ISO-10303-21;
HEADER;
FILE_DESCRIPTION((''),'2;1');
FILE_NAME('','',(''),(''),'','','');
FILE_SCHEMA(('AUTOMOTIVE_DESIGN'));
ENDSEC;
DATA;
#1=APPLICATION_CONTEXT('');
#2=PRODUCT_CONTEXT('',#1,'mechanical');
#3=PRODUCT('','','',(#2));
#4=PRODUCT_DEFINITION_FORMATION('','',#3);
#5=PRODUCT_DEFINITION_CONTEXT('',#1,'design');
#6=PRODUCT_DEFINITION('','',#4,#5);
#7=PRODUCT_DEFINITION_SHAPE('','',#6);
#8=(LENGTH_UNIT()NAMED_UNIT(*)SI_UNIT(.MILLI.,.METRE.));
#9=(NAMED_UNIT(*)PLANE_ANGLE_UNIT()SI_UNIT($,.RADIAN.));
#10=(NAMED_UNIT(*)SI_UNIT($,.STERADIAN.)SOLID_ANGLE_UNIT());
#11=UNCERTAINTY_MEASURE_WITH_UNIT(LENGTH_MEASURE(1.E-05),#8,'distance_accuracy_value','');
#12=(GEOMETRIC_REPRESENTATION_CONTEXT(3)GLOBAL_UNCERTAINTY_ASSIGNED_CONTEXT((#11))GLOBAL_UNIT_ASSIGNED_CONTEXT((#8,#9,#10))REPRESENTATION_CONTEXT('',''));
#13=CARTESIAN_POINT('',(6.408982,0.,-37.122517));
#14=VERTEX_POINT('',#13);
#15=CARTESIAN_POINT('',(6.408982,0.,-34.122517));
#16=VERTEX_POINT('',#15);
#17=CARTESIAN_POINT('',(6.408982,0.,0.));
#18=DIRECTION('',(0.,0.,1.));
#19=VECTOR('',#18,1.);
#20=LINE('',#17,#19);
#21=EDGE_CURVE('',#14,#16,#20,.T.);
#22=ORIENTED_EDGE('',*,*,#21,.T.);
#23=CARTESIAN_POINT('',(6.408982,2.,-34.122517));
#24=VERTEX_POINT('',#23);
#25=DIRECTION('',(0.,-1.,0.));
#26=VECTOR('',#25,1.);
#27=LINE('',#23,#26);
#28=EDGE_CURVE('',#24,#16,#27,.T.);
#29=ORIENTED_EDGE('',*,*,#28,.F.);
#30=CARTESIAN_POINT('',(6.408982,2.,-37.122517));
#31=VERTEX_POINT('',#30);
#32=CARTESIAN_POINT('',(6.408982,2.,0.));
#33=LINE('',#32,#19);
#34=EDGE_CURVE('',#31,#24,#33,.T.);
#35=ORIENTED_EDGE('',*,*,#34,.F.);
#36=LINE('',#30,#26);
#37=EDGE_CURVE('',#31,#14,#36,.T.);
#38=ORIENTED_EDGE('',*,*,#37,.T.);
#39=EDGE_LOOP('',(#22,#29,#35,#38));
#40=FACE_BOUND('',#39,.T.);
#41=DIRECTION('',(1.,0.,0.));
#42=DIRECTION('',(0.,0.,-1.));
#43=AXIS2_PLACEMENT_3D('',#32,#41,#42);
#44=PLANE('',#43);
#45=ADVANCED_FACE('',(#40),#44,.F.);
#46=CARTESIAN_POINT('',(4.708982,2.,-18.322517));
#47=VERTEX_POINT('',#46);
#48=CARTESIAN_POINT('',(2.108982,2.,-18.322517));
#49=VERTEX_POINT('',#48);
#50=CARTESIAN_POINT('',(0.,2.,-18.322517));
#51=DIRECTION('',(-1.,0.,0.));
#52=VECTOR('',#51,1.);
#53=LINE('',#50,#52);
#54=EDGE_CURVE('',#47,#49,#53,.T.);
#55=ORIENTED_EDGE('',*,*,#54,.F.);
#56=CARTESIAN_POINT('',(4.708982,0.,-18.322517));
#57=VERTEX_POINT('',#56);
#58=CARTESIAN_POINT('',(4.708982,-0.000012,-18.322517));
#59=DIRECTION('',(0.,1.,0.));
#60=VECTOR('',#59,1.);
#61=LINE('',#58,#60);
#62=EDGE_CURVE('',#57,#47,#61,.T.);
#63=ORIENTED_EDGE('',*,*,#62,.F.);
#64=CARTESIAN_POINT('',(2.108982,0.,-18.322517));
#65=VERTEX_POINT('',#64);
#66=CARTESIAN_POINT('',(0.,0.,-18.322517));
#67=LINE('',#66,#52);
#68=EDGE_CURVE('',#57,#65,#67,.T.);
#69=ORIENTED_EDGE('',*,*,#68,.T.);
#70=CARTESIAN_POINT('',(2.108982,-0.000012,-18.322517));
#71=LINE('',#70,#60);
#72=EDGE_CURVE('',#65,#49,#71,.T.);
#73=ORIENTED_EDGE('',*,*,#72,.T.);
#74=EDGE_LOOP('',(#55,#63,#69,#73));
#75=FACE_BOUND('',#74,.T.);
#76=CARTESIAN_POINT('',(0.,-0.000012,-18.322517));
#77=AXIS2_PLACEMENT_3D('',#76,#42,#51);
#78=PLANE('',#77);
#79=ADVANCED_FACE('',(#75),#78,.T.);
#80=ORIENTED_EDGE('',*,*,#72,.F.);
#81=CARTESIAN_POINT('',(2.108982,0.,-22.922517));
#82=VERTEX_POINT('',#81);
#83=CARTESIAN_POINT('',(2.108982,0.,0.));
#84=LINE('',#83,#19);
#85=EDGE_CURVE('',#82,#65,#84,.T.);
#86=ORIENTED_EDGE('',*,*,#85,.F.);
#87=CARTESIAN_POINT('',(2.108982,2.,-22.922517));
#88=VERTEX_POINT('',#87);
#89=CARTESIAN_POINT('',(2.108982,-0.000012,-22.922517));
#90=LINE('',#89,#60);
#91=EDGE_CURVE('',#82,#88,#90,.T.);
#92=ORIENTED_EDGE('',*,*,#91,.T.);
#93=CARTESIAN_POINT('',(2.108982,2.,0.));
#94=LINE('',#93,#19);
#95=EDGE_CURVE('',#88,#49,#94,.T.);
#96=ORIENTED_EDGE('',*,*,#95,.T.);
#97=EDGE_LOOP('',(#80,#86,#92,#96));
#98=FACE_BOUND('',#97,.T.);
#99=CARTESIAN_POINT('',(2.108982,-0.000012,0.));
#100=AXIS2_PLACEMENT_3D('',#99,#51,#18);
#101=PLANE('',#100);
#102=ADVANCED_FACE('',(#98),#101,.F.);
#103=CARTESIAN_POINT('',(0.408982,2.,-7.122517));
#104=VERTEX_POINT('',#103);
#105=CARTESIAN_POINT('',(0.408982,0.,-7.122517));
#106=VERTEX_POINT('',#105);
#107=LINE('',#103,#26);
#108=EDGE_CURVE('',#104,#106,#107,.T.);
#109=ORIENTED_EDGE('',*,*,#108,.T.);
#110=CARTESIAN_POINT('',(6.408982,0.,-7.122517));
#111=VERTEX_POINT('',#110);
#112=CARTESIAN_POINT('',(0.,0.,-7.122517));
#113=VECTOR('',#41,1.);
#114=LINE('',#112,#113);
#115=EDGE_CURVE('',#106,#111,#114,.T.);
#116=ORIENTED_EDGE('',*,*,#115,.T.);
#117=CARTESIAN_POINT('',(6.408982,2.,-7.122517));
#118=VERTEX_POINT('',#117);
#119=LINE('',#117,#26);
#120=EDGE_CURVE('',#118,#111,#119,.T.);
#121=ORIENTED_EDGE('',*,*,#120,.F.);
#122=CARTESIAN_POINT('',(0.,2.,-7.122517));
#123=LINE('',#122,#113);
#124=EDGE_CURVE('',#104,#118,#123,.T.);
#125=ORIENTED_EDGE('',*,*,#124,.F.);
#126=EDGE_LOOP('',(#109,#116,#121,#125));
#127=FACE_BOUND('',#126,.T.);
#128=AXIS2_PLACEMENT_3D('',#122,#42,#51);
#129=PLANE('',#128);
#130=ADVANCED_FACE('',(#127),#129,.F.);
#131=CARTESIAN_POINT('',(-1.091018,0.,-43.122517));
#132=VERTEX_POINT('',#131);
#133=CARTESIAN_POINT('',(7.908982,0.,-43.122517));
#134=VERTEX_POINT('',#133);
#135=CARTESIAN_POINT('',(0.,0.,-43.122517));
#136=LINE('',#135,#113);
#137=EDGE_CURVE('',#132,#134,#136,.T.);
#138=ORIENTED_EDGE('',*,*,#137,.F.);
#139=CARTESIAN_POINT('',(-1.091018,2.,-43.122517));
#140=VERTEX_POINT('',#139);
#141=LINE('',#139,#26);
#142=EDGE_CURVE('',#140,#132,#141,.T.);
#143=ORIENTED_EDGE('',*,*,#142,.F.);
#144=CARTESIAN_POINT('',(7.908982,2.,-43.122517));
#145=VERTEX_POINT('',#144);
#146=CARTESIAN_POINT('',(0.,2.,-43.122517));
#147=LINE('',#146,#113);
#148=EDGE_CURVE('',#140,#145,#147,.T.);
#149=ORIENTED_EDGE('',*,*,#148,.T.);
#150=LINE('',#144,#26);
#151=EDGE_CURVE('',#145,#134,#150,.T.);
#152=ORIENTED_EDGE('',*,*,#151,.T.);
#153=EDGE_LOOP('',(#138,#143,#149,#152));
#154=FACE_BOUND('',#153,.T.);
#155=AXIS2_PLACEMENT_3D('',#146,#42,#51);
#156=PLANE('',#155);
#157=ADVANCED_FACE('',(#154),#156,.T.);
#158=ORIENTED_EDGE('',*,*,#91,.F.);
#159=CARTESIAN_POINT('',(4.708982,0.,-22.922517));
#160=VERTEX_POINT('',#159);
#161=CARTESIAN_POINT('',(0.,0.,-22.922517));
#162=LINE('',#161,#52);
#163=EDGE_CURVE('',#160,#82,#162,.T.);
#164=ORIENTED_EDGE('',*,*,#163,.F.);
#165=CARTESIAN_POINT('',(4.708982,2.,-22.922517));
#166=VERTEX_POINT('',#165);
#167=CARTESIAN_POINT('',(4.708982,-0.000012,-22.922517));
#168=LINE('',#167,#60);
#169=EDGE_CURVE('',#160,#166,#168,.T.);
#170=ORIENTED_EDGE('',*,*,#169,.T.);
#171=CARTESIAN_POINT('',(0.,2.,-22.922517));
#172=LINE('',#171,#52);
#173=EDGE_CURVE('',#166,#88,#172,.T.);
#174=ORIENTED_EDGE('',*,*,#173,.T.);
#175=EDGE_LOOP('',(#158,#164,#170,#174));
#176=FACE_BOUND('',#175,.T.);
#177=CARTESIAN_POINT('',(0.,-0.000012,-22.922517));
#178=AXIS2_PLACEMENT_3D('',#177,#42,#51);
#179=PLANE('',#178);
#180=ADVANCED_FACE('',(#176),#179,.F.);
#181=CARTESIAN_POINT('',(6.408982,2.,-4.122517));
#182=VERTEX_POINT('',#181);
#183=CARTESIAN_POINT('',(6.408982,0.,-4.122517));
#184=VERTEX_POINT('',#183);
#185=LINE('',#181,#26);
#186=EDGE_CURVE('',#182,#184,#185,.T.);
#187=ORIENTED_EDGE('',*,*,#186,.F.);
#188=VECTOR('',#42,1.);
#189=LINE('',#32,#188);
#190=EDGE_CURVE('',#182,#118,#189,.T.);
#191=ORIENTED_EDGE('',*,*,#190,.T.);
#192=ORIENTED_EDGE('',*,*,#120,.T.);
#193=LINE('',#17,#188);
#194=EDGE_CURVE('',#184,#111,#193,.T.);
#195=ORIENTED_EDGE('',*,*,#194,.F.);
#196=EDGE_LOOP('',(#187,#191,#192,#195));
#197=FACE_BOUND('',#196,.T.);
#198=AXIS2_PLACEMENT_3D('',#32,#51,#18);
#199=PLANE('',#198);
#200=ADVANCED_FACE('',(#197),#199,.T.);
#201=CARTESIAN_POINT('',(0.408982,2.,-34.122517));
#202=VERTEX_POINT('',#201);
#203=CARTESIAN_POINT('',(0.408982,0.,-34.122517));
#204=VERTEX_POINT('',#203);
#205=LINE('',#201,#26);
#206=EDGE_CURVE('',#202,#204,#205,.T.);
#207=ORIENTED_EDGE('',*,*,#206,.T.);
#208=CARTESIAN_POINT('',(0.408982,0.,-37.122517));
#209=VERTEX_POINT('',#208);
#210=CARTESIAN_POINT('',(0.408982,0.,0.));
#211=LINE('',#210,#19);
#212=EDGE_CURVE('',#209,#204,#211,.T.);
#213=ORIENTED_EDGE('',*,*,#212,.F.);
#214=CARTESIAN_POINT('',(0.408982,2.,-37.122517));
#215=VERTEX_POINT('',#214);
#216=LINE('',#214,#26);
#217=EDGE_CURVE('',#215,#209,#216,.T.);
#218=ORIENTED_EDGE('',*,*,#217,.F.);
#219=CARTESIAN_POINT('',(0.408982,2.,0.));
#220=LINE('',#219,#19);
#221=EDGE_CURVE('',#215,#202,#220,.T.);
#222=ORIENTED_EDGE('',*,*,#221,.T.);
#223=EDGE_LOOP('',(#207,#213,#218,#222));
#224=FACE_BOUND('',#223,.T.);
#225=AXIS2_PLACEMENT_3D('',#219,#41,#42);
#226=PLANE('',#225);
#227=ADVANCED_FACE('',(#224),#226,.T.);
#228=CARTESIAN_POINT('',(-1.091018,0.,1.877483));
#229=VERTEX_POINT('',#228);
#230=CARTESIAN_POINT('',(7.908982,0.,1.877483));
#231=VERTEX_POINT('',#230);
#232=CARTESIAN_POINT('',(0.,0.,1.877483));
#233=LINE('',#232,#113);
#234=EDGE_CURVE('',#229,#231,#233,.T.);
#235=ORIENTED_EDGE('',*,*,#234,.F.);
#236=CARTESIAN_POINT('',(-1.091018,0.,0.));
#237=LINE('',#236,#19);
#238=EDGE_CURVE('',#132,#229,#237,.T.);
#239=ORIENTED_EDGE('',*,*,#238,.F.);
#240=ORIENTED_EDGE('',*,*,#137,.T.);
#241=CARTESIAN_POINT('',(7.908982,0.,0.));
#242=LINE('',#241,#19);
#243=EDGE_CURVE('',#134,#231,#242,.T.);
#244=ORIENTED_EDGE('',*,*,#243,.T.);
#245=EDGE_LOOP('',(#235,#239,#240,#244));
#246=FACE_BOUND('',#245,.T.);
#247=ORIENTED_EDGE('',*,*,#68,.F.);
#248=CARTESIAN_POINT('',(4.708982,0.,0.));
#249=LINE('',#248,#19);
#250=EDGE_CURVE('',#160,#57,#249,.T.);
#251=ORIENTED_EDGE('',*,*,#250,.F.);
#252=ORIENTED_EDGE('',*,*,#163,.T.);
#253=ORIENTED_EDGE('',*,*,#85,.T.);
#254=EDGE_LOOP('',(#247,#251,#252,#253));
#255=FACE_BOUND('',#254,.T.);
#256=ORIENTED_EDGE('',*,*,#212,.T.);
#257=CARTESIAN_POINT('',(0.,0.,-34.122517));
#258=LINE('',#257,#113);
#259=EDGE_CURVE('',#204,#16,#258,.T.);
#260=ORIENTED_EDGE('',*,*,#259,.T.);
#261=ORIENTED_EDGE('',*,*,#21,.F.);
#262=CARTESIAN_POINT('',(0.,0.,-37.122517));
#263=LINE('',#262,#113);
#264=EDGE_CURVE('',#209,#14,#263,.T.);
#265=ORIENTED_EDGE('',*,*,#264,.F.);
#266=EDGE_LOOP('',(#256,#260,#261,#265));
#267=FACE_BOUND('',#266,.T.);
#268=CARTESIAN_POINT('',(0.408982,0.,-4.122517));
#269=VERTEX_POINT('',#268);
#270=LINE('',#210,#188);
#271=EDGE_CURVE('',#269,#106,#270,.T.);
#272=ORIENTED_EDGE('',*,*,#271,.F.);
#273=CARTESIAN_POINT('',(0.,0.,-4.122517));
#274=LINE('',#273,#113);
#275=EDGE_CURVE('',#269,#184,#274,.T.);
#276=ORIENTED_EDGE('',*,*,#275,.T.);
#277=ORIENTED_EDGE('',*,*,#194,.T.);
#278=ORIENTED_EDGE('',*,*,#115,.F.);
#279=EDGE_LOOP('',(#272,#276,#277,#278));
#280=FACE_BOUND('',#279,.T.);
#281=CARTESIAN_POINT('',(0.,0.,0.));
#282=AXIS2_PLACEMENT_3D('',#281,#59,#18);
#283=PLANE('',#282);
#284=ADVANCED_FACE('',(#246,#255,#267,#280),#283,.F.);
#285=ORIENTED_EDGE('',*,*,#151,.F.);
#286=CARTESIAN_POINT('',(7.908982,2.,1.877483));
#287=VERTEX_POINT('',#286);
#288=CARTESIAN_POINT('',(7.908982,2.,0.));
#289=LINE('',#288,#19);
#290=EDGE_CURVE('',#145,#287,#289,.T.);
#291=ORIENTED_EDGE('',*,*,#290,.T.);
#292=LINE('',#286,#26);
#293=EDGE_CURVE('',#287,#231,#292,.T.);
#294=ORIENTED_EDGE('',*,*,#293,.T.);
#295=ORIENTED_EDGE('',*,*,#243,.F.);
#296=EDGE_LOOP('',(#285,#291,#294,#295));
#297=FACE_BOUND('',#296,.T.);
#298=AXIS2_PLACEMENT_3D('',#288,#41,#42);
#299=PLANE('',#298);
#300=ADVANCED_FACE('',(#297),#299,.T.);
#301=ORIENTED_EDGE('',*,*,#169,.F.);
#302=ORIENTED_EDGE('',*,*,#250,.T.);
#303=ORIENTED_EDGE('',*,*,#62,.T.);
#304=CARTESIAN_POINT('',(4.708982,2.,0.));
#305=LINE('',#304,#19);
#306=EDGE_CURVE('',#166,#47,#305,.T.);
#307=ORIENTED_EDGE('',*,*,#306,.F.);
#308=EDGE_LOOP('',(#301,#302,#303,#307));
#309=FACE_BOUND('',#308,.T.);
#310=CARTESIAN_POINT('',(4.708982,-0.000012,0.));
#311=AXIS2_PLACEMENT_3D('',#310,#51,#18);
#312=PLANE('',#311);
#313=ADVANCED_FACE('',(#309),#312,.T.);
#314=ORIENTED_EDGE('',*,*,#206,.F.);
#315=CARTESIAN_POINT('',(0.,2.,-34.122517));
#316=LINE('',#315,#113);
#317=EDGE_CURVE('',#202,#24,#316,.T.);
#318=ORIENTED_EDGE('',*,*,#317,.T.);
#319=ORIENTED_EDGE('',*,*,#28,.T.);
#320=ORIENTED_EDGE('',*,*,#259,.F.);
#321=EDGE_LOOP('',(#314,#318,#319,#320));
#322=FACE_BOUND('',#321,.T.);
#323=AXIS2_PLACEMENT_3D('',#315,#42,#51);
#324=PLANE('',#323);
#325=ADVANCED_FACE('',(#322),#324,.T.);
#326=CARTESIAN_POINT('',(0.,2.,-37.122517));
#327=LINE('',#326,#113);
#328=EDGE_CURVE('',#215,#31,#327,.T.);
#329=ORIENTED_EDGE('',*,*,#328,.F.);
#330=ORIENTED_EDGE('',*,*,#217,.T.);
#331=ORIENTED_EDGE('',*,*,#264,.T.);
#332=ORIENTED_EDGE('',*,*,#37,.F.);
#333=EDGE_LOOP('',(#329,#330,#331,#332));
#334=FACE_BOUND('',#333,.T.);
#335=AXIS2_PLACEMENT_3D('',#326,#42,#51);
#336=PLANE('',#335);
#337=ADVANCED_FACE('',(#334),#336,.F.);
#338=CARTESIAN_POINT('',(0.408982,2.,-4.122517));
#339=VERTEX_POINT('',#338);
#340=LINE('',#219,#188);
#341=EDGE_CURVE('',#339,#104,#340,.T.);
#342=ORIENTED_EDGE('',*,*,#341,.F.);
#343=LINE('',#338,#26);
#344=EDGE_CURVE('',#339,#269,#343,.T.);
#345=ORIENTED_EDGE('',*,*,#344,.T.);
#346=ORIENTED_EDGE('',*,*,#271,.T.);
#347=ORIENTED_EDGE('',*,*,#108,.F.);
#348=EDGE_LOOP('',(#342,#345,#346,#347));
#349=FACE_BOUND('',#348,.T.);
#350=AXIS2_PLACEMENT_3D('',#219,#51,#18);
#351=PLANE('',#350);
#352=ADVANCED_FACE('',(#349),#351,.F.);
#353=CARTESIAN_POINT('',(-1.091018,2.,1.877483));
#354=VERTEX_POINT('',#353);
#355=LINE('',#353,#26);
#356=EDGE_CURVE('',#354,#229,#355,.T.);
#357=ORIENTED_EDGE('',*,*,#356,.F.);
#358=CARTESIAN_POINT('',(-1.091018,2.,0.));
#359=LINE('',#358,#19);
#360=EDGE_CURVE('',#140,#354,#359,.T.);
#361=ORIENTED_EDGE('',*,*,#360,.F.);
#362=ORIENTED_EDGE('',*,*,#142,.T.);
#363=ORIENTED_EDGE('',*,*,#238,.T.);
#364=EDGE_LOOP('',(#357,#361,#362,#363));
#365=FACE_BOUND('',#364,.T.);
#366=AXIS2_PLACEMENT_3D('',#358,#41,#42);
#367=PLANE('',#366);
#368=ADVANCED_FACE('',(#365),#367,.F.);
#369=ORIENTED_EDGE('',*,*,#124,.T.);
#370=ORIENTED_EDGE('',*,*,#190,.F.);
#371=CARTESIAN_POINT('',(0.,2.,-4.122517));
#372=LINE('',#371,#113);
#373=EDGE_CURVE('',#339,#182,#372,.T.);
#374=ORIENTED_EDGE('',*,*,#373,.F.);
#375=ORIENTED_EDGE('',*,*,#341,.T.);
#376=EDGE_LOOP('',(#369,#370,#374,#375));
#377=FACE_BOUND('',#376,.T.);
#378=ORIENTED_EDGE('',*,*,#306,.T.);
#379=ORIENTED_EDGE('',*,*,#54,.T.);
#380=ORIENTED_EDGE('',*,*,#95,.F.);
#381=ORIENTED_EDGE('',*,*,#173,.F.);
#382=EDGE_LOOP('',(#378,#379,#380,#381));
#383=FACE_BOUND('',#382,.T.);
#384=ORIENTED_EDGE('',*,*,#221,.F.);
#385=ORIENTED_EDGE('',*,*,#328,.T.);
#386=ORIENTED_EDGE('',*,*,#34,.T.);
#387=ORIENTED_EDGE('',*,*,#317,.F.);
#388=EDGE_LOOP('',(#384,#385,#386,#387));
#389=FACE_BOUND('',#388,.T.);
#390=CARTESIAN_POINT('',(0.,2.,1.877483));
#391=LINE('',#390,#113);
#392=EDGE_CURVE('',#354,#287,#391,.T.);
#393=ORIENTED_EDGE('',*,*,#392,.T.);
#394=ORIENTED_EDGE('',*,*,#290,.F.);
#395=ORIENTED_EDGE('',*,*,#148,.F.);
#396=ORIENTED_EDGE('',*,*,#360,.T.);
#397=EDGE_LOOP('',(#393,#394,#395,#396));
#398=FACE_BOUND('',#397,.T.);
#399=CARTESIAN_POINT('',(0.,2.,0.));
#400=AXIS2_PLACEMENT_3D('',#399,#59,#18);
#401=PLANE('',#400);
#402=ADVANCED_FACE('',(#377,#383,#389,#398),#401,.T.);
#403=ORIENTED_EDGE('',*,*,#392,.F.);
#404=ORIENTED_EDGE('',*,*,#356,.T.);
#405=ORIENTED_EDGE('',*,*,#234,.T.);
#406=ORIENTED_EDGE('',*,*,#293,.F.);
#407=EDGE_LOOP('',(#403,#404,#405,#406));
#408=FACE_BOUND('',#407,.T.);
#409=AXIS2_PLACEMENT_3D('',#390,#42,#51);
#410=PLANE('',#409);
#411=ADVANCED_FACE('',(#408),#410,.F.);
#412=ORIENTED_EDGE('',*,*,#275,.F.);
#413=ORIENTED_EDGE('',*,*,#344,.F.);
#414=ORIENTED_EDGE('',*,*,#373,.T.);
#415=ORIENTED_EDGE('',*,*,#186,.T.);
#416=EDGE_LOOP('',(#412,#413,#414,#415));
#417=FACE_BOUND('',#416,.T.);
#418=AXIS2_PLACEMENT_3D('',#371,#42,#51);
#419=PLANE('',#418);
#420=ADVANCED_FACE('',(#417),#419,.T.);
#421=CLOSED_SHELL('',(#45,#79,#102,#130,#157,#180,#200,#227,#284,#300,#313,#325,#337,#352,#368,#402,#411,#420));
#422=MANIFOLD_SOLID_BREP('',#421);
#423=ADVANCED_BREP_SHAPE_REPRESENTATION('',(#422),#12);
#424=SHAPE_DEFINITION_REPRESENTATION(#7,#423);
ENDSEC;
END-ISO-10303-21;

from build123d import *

# Parameters (mm, degrees)
ESQUISSE1_W                  = 9
ESQUISSE1_H                  = 45
ESQUISSE1_W_2                = 6
ESQUISSE1_H_2                = 3
BOSS_EXTRU_1_DEPTH           = 2
ENL_V_MAT_EXTRU_1_DEPTH      = 44.887394917
ENL_V_MAT_EXTRU_1_DEPTH_BACK = 44.887394917
ESQUISSE2_W                  = 2.6
ESQUISSE2_H                  = 4.6


with BuildPart() as part:
    # Esquisse1 → Boss.-Extru.1 (new body)
    with BuildSketch(Plane(origin=(0, 0, 0), x_dir=(1, 0, 0), z_dir=(0, 1, 0))):
        with Locations((3.408982136, 20.622516556)):
            Rectangle(ESQUISSE1_W, ESQUISSE1_H)
        with Locations((3.408982136, 35.622516556)):
            Rectangle(ESQUISSE1_W_2, ESQUISSE1_H_2, mode=Mode.SUBTRACT)
        with Locations((3.408982136, 5.622516556)):
            Rectangle(ESQUISSE1_W_2, ESQUISSE1_H_2, mode=Mode.SUBTRACT)
    extrude(amount=BOSS_EXTRU_1_DEPTH)

    # Esquisse2 → Enlèv. mat.-Extru.1 (cut, two sides: drawn at the far end of the back side and taken through both)
    with BuildSketch(Plane.XZ.offset(-ENL_V_MAT_EXTRU_1_DEPTH_BACK)):
        with Locations((3.408982136, -20.622516556)):
            Rectangle(ESQUISSE2_W, ESQUISSE2_H)
    extrude(amount=ENL_V_MAT_EXTRU_1_DEPTH + ENL_V_MAT_EXTRU_1_DEPTH_BACK, mode=Mode.SUBTRACT)


solid = part.part
